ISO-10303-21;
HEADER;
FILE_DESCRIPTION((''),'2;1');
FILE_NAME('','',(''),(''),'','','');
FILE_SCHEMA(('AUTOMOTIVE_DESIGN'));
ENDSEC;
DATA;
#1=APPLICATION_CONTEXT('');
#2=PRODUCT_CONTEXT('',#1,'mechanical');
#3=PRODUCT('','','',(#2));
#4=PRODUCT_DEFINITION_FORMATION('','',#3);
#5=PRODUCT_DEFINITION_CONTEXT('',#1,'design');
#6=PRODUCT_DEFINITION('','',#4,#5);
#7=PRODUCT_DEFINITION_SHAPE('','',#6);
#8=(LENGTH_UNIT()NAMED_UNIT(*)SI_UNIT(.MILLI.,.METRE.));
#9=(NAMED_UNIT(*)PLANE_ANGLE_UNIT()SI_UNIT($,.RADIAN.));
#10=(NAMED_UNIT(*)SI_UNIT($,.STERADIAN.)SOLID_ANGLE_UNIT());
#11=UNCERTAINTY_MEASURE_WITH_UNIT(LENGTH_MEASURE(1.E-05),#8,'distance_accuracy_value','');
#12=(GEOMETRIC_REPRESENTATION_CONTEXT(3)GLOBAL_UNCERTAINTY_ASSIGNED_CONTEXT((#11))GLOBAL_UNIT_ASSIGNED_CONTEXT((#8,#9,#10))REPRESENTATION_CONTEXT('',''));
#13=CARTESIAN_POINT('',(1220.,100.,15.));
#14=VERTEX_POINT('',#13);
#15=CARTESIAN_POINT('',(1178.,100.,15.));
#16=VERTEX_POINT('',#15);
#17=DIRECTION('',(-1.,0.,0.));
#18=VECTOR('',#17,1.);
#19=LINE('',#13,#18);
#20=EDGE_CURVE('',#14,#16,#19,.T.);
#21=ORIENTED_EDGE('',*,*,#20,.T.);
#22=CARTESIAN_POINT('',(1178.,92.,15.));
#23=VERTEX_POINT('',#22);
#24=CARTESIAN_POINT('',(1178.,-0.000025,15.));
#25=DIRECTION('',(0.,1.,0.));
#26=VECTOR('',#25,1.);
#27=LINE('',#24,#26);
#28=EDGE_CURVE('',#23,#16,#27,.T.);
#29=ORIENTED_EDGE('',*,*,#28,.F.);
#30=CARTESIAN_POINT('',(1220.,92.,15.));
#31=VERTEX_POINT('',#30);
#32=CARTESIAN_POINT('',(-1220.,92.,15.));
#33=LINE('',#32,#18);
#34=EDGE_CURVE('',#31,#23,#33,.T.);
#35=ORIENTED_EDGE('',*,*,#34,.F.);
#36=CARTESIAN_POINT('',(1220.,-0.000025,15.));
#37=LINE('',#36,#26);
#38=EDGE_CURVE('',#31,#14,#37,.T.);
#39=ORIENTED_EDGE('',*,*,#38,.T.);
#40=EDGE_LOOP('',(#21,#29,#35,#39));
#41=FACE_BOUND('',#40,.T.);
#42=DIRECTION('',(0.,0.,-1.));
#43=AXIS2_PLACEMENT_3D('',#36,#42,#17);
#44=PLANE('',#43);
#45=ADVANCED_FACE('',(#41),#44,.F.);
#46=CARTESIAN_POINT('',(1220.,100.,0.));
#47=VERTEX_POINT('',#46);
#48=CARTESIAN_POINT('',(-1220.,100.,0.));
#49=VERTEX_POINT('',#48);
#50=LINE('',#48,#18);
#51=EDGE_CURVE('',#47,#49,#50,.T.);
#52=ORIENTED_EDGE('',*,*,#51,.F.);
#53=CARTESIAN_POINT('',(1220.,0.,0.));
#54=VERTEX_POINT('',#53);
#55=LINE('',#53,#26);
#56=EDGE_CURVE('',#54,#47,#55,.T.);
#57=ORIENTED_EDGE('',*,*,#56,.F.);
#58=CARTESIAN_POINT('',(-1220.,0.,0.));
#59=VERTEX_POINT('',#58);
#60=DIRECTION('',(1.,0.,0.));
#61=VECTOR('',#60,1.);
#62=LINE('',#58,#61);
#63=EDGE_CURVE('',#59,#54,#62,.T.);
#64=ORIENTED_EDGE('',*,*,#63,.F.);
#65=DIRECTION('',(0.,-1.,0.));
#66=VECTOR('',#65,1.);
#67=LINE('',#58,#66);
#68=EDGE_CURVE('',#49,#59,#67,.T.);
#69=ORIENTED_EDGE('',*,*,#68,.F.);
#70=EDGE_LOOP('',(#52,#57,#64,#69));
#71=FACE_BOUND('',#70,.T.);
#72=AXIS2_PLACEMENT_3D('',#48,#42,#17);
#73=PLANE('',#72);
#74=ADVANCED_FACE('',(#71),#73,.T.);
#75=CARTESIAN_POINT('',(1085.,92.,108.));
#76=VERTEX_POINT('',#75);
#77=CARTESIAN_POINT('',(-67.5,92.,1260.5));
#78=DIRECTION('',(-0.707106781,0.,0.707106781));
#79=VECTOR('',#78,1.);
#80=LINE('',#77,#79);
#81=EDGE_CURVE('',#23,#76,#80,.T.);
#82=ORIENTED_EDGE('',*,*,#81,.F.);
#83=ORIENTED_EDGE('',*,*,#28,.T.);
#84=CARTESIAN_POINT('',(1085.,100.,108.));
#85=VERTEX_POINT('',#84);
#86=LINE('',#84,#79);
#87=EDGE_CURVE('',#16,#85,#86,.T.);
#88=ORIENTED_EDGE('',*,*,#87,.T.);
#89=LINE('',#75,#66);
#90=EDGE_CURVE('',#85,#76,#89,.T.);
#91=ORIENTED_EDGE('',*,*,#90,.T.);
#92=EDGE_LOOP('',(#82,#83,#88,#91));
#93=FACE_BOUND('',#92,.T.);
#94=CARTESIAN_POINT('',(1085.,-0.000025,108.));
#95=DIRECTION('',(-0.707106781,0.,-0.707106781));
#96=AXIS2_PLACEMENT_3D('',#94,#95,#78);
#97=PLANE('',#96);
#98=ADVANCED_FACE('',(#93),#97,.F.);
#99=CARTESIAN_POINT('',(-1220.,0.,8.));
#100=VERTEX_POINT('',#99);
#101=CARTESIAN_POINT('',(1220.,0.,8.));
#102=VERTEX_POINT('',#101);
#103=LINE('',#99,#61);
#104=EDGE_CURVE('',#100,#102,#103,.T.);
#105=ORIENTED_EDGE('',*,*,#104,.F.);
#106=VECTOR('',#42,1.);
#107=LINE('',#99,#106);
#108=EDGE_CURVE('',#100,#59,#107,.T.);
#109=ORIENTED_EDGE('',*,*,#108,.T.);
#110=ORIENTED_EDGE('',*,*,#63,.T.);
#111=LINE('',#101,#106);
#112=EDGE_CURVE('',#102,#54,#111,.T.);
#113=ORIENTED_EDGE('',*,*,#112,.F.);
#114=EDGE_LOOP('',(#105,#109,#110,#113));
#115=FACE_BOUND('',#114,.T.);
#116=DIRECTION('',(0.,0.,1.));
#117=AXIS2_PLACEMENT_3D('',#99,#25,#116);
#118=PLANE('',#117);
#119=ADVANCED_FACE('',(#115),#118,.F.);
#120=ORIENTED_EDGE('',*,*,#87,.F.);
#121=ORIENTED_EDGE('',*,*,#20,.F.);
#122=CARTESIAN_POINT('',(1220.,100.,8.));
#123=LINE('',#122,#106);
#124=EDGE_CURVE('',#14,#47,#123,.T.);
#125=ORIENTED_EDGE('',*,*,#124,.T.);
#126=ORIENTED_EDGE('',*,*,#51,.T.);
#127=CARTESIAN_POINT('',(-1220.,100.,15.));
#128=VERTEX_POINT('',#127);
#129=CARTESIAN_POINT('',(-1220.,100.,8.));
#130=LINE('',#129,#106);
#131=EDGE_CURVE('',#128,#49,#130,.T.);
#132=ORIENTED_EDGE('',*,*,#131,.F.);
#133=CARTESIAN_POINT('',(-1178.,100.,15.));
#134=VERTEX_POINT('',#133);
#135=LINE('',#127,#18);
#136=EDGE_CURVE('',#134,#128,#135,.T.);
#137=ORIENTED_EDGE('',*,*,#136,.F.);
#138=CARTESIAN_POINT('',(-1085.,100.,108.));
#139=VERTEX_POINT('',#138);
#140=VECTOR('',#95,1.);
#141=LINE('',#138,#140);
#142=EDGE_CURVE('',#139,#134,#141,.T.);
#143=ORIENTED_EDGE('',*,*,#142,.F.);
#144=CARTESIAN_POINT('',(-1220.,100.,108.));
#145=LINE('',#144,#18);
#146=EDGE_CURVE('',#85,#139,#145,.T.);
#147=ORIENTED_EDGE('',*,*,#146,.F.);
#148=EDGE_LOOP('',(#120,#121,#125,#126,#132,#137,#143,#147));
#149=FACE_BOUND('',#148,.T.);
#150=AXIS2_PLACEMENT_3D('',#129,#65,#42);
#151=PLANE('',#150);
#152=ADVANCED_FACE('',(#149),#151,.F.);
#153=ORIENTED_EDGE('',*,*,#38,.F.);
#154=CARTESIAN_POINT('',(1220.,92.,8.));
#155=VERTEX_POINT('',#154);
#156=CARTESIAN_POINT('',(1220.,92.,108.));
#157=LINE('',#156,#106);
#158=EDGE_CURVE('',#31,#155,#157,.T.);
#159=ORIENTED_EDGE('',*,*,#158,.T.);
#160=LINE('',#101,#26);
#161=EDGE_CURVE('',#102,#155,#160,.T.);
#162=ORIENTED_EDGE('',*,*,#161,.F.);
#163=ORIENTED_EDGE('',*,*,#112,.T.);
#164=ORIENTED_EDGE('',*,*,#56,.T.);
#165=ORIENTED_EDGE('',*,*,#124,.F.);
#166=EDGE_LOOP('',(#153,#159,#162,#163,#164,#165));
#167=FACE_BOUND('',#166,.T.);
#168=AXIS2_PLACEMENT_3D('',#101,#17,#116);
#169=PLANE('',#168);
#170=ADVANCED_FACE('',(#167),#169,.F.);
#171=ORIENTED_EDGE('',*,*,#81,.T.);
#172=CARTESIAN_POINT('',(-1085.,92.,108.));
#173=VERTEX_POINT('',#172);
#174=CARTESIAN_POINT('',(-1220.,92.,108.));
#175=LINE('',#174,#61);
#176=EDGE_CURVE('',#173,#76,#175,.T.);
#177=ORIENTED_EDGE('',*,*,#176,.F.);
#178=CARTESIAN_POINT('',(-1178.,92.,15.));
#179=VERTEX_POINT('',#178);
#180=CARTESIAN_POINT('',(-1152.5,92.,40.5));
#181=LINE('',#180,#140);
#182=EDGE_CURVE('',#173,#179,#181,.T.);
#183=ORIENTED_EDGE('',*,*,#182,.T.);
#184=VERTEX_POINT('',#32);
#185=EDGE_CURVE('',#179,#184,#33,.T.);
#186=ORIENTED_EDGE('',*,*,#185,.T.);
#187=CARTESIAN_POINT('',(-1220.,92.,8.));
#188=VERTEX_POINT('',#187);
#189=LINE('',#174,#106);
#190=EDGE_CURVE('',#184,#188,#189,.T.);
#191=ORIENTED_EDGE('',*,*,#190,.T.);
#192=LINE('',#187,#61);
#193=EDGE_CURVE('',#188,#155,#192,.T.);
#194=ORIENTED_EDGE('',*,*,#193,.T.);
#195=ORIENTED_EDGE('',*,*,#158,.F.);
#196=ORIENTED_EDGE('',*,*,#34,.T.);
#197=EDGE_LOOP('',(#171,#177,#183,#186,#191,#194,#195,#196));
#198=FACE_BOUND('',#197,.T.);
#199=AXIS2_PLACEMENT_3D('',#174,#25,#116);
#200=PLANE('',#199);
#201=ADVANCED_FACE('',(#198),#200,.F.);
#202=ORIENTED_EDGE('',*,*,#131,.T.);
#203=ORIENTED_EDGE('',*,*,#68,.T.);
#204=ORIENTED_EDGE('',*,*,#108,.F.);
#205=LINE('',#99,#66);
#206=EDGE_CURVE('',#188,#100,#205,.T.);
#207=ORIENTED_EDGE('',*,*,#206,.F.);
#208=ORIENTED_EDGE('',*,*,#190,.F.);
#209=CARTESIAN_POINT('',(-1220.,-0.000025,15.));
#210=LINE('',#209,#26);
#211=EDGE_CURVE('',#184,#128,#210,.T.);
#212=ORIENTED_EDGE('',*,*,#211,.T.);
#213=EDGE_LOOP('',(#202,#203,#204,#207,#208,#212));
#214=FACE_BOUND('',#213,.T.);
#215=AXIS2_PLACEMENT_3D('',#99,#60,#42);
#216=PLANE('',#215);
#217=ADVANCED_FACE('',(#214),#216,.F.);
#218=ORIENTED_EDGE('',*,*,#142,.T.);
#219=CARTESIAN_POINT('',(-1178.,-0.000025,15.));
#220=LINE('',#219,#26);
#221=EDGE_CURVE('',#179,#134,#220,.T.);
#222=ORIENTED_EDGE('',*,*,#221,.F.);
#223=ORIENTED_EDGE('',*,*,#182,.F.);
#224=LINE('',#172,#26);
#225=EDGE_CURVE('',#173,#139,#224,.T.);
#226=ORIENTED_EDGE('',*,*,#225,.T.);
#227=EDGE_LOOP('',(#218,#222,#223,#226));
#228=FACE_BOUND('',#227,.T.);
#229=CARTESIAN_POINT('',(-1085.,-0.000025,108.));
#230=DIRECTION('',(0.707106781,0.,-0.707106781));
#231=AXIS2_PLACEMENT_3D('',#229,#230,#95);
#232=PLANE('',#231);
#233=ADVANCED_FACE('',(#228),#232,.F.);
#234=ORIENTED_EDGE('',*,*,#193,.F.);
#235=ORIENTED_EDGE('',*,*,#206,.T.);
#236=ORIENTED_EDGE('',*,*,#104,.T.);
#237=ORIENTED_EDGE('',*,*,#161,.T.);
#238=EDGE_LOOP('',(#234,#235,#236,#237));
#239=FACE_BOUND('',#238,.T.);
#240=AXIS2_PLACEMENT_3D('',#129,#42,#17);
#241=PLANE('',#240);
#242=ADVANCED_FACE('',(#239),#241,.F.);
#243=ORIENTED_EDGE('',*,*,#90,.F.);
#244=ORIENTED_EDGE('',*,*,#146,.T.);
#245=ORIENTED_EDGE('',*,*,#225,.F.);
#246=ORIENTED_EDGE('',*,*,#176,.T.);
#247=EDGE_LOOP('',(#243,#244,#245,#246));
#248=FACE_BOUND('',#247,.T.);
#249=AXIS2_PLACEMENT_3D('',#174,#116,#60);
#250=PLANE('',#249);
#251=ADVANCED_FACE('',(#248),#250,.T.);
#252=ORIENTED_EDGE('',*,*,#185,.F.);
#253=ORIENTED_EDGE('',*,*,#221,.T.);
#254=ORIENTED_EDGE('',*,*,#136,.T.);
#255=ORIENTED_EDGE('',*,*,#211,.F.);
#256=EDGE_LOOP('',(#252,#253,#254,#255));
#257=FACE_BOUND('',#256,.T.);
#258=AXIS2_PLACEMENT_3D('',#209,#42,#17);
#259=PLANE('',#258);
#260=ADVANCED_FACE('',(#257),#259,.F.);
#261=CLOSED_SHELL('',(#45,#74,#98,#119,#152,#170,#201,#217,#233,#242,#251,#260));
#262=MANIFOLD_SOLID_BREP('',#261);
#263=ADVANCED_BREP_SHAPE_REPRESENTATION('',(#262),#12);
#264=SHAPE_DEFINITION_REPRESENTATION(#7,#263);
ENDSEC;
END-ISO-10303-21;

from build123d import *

# Parameters (mm, degrees)
SKETCH_1_W          = 2440
SKETCH_1_H          = 100
EXTRUDE_715_DEPTH   = 8
SKETCH_2_W          = 2440
SKETCH_2_H          = 8
EXTRUDE_1_DEPTH     = 100
CUT_EXTRUDE_1_DEPTH = 1229.846613699


with BuildPart() as part:
    # 草图1 → Extrude 715 (new body)
    with BuildSketch(Plane.XY):
        with Locations((0, 50)):
            Rectangle(SKETCH_1_W, SKETCH_1_H)
    extrude(amount=EXTRUDE_715_DEPTH)

    # 草图2 → 凸台-拉伸1 (add)
    with BuildSketch(Plane.XY.offset(8)):
        with Locations((0, 96)):
            Rectangle(SKETCH_2_W, SKETCH_2_H)
    extrude(amount=EXTRUDE_1_DEPTH)

    # 草图3 → 切除-拉伸1 (cut, through all)
    with BuildSketch(Plane(origin=(0, 100, 0), x_dir=(-1, 0, 0), z_dir=(0, 1, 0))):
        Polygon((-1085, 108), (-1178, 15), (-1220, 15), (-1220, 108), align=None)
        Polygon((1220, 15), (1178, 15), (1085, 108), (1220, 108), align=None)
    extrude(amount=-CUT_EXTRUDE_1_DEPTH, mode=Mode.SUBTRACT)


solid = part.part
